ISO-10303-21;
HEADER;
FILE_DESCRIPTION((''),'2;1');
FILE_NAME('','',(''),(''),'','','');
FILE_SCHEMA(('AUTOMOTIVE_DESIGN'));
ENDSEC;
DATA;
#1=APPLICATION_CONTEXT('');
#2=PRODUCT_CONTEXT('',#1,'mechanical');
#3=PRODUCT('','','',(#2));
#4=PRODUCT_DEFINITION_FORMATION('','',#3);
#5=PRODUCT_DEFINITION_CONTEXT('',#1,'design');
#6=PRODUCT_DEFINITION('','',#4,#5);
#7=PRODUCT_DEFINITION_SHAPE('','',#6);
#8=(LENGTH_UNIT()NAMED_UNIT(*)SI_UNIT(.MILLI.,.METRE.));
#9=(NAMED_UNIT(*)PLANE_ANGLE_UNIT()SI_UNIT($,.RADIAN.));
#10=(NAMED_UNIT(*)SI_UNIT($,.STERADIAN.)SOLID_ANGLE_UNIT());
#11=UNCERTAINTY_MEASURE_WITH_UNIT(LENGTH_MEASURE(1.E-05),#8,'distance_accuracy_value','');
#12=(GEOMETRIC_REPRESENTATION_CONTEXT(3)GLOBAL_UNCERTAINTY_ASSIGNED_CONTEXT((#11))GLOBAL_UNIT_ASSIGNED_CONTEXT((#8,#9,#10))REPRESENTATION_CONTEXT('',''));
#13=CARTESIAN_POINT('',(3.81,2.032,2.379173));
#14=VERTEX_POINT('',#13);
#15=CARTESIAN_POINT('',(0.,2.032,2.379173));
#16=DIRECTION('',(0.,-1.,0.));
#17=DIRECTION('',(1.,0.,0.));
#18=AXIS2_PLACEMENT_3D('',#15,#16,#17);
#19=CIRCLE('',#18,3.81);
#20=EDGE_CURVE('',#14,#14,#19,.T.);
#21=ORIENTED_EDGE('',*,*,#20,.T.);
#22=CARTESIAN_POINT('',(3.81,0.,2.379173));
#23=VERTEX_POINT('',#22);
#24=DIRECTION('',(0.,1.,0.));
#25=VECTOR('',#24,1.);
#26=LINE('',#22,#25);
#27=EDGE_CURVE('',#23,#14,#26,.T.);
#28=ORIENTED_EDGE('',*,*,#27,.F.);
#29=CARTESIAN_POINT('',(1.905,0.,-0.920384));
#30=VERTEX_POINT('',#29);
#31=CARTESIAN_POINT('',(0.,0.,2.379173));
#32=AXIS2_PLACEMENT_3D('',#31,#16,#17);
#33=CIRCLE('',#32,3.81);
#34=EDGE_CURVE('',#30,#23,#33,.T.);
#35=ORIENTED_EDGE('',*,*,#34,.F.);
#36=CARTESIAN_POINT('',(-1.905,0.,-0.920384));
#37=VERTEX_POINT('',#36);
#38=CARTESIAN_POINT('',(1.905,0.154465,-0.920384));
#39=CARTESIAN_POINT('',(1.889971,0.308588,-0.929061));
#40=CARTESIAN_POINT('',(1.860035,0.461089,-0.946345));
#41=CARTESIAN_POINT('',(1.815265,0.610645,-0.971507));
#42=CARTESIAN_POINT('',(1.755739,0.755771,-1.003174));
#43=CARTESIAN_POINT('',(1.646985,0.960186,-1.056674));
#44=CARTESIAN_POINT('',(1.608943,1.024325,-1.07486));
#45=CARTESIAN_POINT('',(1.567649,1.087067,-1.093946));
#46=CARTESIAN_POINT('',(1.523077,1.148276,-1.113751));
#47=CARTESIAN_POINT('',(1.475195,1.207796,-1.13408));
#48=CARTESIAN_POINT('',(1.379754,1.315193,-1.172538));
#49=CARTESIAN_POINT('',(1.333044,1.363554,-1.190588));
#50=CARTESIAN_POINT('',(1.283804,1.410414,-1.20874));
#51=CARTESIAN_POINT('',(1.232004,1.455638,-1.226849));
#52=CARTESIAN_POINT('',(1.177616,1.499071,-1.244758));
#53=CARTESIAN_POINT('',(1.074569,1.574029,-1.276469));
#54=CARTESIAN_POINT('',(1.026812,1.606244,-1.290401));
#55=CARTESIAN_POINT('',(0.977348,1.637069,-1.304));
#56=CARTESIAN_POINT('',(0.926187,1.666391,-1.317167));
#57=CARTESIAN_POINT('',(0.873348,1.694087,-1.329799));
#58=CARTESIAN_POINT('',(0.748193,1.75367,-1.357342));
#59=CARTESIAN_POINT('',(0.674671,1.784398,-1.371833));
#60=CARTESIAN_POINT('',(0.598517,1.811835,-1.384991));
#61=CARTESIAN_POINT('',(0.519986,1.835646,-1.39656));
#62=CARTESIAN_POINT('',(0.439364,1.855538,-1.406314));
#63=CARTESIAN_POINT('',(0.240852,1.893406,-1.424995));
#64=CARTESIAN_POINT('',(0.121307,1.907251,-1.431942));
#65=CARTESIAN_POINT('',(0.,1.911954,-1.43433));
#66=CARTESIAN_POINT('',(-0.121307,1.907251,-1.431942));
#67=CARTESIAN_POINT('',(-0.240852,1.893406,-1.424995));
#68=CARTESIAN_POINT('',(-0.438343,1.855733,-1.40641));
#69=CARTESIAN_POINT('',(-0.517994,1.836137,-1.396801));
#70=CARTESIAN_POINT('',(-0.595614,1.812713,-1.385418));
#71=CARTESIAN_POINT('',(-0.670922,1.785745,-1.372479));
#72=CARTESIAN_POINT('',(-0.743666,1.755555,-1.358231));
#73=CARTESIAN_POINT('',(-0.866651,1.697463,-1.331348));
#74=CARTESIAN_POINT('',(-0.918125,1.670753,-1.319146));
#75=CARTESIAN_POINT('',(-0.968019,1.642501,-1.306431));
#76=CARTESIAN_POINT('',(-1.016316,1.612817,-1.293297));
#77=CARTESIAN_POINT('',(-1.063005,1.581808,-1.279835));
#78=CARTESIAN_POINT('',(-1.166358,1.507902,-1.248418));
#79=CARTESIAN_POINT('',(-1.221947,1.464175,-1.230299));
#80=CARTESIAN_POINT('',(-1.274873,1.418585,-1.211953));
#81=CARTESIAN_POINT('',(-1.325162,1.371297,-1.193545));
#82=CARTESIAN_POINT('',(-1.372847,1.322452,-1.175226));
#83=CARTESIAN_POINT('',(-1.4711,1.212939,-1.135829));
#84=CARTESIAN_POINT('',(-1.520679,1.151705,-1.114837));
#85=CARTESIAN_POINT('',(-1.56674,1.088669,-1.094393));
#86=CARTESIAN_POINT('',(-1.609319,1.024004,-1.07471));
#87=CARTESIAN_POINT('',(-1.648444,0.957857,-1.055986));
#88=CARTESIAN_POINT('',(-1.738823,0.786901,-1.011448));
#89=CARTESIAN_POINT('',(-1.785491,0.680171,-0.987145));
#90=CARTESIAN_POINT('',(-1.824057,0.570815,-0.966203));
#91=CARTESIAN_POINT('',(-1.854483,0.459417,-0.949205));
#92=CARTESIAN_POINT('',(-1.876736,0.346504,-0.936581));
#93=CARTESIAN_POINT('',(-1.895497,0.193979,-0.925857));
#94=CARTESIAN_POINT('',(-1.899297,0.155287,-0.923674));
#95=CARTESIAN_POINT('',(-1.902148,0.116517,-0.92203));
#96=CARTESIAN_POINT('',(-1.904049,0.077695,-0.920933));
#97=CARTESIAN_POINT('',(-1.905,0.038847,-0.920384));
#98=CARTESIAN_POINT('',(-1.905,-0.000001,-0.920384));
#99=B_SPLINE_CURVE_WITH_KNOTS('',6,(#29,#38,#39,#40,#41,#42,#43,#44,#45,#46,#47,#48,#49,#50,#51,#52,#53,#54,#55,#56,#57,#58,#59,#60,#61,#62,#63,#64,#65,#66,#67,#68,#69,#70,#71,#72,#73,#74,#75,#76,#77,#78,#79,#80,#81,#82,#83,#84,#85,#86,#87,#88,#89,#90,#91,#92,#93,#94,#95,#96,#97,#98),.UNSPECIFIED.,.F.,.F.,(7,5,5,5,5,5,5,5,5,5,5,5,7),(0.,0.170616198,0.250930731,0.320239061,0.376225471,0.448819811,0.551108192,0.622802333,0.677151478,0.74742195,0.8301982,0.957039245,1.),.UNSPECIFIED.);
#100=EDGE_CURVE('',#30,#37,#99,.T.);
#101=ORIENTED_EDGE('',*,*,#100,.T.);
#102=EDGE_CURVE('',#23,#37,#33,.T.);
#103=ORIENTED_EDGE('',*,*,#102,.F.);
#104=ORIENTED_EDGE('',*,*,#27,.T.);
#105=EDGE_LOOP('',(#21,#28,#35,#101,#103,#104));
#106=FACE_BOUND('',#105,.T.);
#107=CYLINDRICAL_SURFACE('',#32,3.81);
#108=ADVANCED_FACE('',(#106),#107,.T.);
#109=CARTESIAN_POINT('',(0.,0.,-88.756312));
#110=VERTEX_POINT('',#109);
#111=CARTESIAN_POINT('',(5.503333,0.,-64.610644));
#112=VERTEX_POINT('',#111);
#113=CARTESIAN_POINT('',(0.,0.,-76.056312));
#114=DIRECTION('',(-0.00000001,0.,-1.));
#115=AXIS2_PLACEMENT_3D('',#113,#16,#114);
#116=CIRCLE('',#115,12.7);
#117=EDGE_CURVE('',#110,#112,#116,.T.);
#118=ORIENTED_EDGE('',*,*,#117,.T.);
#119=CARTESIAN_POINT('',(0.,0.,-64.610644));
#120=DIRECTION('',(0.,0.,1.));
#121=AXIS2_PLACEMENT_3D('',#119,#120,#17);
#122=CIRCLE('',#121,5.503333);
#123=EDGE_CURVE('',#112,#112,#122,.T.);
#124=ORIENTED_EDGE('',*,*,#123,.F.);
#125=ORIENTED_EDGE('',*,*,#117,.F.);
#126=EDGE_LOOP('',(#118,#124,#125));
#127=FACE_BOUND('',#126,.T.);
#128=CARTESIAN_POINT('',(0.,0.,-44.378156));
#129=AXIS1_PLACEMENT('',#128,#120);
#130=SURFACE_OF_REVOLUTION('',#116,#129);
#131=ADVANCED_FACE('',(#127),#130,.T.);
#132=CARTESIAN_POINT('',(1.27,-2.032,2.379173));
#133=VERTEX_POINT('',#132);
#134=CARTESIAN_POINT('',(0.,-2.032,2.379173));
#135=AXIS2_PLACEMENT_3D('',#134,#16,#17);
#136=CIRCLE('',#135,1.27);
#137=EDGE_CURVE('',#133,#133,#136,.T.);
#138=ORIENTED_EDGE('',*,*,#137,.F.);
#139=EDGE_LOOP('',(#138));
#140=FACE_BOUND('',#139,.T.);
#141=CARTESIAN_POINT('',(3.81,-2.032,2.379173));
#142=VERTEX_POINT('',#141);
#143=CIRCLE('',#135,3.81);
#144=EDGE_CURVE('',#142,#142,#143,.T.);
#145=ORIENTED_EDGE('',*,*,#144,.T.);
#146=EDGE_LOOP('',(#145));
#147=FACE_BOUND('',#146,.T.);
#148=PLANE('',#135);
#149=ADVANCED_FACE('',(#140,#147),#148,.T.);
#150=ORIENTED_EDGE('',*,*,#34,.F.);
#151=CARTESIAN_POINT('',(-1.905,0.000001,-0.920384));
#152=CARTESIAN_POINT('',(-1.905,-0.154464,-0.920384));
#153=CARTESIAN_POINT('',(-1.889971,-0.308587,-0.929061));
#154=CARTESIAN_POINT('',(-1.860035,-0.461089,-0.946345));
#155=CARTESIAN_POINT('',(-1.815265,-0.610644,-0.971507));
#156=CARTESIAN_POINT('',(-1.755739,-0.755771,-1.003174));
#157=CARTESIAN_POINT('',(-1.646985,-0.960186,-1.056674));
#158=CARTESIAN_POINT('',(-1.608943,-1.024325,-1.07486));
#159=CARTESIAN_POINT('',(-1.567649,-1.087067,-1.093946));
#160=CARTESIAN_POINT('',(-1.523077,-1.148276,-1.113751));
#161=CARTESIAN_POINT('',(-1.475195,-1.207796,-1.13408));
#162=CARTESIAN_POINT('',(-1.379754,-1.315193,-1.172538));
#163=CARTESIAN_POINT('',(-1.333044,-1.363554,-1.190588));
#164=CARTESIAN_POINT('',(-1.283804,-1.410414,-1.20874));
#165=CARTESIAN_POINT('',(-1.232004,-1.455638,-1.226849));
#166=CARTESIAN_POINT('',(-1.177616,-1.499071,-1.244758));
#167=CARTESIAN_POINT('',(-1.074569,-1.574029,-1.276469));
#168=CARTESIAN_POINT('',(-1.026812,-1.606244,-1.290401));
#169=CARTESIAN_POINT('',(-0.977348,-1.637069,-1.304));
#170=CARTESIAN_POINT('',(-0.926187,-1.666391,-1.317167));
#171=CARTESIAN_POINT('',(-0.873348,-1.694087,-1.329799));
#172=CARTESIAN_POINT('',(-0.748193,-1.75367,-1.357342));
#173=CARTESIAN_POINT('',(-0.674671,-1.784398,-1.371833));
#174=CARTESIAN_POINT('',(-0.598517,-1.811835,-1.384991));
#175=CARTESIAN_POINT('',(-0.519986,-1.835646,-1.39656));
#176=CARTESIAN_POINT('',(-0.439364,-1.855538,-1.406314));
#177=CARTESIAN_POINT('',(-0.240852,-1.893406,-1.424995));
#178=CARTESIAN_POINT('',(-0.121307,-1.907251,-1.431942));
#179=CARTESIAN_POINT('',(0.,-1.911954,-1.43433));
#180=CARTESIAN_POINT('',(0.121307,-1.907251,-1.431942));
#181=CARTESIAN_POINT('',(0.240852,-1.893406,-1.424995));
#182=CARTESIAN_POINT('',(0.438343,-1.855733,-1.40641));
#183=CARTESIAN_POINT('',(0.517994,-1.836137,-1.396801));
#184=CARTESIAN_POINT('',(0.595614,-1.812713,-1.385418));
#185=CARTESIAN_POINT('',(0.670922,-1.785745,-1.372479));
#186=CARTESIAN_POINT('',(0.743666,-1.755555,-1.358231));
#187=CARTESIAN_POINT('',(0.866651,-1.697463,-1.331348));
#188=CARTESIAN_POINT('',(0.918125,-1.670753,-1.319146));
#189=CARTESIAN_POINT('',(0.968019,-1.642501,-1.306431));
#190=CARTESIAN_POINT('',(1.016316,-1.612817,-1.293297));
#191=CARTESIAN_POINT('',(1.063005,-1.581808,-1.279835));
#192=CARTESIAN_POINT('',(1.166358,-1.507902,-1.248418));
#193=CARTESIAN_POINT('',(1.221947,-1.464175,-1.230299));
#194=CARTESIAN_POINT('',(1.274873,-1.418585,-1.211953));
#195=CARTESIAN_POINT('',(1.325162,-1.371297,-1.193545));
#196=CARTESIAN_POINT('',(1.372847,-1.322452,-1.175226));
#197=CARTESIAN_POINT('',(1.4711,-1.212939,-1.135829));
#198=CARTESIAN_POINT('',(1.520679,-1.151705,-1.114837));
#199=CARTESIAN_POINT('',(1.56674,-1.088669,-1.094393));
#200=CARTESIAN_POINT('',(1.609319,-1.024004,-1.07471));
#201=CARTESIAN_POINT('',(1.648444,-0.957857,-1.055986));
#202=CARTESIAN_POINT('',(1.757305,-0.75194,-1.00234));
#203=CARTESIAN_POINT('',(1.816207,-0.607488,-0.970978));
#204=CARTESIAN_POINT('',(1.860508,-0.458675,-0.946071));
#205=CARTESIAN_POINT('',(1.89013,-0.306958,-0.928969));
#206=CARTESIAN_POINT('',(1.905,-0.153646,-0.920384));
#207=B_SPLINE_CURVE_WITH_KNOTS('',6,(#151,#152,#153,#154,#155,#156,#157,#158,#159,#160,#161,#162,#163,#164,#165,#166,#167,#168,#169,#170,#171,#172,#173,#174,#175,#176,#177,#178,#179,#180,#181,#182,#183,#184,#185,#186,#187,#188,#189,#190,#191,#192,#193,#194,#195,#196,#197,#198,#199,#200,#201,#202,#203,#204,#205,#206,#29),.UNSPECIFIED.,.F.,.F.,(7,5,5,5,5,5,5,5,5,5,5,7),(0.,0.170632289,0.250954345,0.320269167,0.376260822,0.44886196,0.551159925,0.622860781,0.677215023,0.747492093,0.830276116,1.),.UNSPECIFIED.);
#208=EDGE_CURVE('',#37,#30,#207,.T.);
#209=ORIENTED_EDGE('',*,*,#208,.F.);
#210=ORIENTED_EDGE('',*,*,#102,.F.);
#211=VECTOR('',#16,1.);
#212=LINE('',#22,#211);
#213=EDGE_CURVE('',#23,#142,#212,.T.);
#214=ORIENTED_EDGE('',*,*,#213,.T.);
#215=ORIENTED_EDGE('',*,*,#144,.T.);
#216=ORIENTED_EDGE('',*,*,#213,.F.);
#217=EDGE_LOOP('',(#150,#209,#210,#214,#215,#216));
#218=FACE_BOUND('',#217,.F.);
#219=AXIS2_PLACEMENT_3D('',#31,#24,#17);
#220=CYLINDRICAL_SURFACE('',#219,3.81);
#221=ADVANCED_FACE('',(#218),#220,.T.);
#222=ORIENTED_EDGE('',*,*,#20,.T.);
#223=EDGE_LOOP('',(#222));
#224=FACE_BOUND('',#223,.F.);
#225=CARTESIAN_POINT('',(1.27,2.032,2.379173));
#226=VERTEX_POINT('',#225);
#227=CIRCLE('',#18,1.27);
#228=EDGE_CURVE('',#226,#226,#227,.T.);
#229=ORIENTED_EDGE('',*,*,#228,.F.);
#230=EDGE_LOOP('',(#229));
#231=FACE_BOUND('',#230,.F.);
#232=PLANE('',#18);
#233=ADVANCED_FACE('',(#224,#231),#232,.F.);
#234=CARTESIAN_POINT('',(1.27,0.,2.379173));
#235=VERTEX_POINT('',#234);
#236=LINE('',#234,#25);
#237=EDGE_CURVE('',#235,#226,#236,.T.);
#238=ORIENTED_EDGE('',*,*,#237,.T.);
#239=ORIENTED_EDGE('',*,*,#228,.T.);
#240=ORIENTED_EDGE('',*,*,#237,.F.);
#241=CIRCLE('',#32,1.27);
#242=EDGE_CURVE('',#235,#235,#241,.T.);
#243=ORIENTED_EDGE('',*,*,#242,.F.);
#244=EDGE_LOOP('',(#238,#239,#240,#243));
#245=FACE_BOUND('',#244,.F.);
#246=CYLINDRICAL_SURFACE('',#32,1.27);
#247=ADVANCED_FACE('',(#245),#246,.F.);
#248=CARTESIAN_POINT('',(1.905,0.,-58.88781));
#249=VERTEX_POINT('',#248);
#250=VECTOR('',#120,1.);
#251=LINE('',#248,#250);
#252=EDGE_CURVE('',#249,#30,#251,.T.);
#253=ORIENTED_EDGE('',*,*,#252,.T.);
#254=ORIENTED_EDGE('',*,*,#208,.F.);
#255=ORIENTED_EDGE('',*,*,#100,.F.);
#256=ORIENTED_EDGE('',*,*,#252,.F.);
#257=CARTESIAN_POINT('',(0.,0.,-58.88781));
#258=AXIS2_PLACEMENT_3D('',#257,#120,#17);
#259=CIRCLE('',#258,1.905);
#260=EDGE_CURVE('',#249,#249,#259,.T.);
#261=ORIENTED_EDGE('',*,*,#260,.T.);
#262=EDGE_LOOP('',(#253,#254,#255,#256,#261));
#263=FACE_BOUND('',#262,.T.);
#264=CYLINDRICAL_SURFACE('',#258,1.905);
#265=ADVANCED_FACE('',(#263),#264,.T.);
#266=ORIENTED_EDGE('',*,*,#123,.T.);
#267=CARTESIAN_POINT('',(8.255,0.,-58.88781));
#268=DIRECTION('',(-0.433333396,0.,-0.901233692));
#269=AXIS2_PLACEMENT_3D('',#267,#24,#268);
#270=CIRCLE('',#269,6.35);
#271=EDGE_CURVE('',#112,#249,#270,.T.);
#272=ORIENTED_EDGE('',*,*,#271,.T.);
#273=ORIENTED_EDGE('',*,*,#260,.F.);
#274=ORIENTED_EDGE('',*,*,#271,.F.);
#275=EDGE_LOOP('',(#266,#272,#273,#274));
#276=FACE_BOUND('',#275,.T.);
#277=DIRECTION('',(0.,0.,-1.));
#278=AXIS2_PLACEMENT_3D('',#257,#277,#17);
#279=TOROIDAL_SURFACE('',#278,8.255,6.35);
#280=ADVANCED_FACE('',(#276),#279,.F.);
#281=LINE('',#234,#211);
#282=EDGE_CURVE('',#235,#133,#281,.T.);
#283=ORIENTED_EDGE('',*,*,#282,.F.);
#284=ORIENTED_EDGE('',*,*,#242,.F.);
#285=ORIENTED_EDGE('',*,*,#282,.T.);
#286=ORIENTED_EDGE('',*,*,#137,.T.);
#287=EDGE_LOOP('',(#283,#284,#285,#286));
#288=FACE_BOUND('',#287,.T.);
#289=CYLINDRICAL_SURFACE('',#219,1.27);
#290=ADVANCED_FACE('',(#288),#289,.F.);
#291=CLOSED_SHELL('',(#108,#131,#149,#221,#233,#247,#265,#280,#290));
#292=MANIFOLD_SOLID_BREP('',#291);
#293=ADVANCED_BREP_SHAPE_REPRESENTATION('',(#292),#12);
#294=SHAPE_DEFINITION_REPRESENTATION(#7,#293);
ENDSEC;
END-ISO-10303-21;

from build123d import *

# Parameters (mm, degrees)
F2_R          = 3.81
F2_R_2        = 1.27
F3_DEPTH      = 2.032
F3_DEPTH_BACK = 2.032


with BuildPart() as f1:
    # F0 (on Front) → F1 (revolve)
    with BuildSketch(Plane.XZ):
        with BuildLine():
            Line((0, 0), (0, -88.756312))
            ThreePointArc((0, -88.756312), (12.382447, -78.878546), (5.503333, -64.610644))
            ThreePointArc((5.503333, -64.610644), (2.879333, -62.267855), (1.905, -58.88781))
            Line((1.905, -58.88781), (1.905, 0))
            Line((1.905, 0), (0, 0))
        make_face()
    revolve(axis=Axis((0, 0, -44.378156), (0, 0, 1)))

    # F2 (on Front) → F3 (join, two sides)
    with BuildSketch(Plane.XZ) as f3_sk:
        with Locations((0, 2.379173)):
            Circle(F2_R)
        with Locations((0, 2.379173)):
            Circle(F2_R_2, mode=Mode.SUBTRACT)
    extrude(amount=F3_DEPTH)
    extrude(f3_sk.sketch, amount=-F3_DEPTH_BACK)


solid = f1.part
